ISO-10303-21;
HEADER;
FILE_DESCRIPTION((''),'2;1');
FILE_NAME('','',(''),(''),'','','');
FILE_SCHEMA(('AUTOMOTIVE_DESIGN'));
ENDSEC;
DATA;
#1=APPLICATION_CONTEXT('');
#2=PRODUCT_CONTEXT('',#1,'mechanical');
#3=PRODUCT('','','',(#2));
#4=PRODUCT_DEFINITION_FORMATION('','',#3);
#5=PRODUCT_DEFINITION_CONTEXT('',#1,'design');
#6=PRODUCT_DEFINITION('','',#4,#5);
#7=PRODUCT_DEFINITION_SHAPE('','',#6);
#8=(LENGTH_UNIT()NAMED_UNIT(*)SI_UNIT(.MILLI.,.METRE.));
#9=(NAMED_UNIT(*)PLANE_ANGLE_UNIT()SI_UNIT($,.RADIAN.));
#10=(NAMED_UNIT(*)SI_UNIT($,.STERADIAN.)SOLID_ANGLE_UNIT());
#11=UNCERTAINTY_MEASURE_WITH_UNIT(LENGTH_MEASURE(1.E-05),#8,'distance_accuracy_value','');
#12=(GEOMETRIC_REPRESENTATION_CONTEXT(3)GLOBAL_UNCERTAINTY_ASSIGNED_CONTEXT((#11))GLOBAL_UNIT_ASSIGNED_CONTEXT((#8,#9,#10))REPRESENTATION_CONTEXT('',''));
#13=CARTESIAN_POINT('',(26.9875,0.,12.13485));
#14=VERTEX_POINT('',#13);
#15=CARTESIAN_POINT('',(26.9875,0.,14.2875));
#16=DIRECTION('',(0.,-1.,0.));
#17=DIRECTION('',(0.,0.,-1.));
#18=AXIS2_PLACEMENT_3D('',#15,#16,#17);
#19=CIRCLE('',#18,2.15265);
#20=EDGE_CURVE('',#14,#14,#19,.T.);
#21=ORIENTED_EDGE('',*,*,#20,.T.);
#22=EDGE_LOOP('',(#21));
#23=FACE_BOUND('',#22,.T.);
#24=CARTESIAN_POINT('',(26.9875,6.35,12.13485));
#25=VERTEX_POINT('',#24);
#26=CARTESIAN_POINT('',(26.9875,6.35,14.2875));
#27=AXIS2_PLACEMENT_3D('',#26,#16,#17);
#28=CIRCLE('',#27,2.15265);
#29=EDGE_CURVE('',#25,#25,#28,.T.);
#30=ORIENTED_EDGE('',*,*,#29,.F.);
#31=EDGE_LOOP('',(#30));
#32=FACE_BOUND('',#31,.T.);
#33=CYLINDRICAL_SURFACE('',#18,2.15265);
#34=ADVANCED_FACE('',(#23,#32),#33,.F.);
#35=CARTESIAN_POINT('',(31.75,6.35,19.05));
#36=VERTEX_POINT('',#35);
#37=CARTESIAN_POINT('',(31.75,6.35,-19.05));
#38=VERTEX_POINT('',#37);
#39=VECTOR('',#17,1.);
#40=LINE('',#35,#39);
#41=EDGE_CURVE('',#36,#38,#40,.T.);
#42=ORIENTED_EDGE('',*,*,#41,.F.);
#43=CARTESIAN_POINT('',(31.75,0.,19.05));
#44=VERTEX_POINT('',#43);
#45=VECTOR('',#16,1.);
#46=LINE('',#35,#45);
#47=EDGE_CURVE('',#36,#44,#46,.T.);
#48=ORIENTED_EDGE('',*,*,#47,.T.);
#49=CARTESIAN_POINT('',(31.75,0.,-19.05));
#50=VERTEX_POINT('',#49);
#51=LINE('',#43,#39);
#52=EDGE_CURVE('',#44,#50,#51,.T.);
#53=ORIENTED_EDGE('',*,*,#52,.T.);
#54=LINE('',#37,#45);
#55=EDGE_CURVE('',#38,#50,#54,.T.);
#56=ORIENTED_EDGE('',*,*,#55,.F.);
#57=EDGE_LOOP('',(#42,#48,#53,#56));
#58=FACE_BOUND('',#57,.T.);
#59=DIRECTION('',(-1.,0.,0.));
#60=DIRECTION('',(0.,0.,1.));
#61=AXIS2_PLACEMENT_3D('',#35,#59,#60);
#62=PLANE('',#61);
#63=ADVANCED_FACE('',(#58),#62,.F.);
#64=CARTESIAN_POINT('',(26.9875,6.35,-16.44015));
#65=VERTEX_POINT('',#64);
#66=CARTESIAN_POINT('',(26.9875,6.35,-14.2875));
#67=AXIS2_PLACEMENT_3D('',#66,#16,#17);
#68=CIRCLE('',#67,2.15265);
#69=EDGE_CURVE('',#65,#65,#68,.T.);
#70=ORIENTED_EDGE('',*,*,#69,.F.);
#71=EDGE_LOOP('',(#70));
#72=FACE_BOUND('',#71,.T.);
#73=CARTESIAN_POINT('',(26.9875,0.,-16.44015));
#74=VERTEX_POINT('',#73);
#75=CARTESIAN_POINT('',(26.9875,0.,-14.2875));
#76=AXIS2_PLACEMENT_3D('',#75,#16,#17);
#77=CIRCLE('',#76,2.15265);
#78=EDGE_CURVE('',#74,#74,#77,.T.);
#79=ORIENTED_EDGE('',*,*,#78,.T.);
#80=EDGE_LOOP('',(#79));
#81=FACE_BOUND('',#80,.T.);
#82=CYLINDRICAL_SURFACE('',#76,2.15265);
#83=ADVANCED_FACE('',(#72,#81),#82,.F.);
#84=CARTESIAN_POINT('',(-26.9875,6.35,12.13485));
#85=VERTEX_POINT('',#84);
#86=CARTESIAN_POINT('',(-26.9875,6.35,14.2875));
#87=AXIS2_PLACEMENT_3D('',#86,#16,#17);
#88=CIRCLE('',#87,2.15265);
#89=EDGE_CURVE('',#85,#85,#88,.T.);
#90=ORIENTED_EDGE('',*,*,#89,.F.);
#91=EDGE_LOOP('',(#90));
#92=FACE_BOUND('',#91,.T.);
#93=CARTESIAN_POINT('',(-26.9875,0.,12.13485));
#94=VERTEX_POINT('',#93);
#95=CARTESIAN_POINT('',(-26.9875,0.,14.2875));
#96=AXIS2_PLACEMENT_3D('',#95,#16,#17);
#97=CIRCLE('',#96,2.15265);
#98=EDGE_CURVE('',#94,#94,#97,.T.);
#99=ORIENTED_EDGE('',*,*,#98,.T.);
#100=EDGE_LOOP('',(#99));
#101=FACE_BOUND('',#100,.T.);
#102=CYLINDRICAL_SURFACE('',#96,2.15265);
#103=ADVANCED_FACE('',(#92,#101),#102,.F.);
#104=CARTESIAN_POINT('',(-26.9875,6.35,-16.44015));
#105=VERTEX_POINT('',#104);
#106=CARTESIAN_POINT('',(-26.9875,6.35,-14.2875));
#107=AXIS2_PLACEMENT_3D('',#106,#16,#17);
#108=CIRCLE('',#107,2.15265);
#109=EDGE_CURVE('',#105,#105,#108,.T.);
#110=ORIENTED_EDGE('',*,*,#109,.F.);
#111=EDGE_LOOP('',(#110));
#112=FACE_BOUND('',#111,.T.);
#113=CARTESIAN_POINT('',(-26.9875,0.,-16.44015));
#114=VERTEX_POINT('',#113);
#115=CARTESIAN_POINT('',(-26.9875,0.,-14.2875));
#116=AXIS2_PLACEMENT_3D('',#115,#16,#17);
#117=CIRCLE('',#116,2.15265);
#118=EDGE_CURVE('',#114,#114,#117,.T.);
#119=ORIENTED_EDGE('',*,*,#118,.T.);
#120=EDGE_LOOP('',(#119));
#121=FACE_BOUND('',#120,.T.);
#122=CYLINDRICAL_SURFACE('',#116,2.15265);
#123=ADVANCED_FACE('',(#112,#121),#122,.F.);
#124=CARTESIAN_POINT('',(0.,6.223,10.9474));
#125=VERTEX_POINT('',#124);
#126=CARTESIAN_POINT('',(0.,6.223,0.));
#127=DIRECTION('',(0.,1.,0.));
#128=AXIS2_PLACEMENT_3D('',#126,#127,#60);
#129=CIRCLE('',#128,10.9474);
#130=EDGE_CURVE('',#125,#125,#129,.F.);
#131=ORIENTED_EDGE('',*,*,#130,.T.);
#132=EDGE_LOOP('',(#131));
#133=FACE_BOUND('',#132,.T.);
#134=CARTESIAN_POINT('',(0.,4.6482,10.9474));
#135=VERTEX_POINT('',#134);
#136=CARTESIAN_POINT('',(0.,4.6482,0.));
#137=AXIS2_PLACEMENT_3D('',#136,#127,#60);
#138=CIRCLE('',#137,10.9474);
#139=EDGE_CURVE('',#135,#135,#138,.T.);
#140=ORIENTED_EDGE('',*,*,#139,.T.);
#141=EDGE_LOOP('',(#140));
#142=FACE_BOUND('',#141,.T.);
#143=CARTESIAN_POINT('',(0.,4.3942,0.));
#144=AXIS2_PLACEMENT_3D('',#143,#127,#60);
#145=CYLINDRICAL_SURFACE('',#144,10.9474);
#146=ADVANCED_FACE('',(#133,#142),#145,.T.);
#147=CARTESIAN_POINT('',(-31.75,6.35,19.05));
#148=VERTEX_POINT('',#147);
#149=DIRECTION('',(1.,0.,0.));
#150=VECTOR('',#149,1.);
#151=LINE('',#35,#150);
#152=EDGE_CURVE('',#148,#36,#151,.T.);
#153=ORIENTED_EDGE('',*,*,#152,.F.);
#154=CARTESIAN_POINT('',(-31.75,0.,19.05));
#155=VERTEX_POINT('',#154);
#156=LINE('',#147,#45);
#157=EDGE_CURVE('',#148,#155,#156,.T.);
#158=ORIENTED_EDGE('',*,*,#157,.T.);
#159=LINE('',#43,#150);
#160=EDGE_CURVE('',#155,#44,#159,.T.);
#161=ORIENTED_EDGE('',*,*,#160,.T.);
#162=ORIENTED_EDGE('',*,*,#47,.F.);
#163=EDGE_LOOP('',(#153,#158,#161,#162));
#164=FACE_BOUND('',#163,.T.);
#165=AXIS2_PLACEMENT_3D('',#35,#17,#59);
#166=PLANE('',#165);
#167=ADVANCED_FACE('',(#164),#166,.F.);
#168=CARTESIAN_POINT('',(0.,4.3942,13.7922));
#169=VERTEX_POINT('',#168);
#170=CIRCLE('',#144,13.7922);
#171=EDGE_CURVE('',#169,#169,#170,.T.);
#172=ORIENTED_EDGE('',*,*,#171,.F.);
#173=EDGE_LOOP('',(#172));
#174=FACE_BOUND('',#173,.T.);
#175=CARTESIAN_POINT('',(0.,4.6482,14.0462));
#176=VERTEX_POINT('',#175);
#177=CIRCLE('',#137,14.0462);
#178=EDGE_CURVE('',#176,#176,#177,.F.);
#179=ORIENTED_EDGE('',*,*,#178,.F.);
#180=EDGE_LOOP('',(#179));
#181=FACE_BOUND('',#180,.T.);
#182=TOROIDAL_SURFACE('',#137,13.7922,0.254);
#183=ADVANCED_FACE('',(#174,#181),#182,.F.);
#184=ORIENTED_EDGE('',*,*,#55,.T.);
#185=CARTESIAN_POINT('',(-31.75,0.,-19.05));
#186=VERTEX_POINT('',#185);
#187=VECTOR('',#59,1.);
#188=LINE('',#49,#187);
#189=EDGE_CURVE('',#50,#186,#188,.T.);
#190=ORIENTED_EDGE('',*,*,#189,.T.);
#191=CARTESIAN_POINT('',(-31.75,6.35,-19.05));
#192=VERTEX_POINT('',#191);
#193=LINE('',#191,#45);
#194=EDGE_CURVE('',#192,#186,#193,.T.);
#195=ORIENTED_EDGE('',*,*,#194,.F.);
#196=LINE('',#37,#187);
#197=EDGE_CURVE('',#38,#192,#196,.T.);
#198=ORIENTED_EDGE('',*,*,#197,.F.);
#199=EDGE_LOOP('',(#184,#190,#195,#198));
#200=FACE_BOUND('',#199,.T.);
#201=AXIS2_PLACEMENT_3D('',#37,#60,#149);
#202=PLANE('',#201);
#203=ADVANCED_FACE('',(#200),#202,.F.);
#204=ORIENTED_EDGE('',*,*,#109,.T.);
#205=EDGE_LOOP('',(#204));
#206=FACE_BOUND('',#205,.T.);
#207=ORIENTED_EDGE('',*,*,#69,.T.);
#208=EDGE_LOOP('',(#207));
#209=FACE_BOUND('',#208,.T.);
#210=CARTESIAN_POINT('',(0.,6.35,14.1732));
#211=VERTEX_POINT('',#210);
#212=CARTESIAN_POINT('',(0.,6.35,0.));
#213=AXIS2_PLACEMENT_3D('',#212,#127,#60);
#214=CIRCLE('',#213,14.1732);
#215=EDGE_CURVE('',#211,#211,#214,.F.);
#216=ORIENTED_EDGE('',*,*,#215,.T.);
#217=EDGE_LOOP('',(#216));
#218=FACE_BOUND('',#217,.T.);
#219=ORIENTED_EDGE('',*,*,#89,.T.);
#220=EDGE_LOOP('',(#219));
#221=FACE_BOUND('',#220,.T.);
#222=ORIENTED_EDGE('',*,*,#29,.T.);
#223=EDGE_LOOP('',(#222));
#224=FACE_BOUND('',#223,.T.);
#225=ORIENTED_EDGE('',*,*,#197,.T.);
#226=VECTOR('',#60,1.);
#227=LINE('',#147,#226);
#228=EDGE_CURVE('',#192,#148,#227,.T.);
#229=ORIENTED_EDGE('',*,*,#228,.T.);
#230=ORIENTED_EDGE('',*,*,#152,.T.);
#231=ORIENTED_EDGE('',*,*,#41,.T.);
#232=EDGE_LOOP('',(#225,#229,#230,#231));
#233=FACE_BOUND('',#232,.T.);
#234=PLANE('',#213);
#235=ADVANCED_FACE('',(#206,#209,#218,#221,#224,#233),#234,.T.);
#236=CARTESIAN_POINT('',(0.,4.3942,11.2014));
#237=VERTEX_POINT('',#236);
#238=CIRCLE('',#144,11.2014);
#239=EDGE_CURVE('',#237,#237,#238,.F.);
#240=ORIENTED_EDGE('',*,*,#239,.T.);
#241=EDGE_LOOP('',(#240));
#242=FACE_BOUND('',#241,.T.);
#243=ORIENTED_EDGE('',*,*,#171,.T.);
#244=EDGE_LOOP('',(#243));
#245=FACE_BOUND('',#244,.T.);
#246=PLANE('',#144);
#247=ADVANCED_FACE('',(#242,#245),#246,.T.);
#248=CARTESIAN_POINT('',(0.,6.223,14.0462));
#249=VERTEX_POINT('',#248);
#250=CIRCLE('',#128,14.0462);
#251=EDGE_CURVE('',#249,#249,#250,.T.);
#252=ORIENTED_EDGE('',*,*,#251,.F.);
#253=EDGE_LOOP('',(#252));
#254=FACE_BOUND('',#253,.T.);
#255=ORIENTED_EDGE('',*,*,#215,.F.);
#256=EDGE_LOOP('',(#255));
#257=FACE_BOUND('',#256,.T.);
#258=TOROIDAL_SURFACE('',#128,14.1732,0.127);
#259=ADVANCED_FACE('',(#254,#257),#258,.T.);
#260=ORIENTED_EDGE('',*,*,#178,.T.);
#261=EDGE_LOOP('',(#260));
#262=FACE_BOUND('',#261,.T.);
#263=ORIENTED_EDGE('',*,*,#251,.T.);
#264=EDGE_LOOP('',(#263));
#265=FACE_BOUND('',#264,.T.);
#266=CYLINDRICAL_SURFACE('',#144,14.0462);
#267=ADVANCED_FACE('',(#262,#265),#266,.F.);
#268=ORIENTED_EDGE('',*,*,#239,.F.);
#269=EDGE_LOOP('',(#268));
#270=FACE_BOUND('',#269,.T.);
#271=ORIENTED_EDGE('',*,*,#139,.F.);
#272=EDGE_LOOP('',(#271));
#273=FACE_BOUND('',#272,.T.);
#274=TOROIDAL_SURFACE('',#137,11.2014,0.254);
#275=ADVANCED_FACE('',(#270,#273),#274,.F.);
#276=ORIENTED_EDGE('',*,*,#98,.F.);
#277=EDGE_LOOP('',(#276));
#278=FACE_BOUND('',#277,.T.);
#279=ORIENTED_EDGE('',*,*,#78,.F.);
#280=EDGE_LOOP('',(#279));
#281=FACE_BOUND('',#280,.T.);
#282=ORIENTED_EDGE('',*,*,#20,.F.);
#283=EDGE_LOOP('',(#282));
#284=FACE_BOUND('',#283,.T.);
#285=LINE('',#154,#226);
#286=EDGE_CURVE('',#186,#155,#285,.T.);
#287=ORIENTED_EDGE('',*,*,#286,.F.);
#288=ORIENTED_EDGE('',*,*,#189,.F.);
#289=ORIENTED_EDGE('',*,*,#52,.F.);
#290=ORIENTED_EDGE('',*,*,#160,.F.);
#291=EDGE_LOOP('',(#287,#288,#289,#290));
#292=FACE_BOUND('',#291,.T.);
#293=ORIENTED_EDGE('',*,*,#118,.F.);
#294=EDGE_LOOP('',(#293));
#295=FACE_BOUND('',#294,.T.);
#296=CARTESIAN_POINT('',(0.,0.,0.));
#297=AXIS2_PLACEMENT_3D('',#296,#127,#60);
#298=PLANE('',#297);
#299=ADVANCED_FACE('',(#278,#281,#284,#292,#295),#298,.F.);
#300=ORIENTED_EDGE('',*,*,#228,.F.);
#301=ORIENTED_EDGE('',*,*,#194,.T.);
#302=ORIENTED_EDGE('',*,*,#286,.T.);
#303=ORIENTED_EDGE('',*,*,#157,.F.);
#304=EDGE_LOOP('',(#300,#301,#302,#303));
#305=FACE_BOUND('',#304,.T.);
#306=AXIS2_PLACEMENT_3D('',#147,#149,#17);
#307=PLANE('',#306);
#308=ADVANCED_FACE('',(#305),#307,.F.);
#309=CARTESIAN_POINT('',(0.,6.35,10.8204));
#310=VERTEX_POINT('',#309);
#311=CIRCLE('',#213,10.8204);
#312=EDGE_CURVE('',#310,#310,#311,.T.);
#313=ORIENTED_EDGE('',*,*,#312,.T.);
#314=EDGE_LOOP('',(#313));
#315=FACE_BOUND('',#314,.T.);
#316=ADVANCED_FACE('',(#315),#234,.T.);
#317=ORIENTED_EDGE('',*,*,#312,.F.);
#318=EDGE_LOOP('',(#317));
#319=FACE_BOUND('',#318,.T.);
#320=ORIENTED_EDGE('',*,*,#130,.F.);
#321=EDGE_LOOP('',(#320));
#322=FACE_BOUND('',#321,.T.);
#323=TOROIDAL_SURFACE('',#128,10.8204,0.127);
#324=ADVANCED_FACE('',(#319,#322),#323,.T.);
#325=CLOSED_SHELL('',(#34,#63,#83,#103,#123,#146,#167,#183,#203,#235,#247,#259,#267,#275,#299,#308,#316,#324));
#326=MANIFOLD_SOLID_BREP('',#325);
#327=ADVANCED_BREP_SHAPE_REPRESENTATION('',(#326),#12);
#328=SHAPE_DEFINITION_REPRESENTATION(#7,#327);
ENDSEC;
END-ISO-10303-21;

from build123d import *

# Parameters (mm, degrees)
SKETCH1_W             = 63.5
SKETCH1_H             = 38.1
BOSS_EXTRUDE1_DEPTH   = 6.35
SKETCH2_R             = 14.0462
SKETCH2_R_2           = 10.9474
CUT_EXTRUDE1_DEPTH    = 1.9558
F_8_CLEARANCE_HOLE1_D = 4.3053
FILLET1_R             = 0.127
FILLET2_R             = 0.254


with BuildPart() as part:
    # Sketch1 → Boss-Extrude1 (new body)
    with BuildSketch(Plane(origin=(0, 0, 0), x_dir=(1, 0, 0), z_dir=(0, 1, 0))):
        Rectangle(SKETCH1_W, SKETCH1_H)
    extrude(amount=BOSS_EXTRUDE1_DEPTH)

    # Sketch2 → Cut-Extrude1 (cut)
    with BuildSketch(Plane(origin=(0, 6.35, 0), x_dir=(1, 0, 0), z_dir=(0, 1, 0))):
        with Locations(Location((0, 0, 0), (0, 0, 270))):  # turned: the seam where the file's is
            Circle(SKETCH2_R)
        with Locations(Location((0, 0, 0), (0, 0, 270))):  # turned: the seam where the file's is
            Circle(SKETCH2_R_2, mode=Mode.SUBTRACT)
    extrude(amount=-CUT_EXTRUDE1_DEPTH, mode=Mode.SUBTRACT)

    # #8 Clearance Hole1 (through all)
    with Locations(Plane(origin=(0, 0, 0), x_dir=(-1, 0, 0), z_dir=(0, -1, 0))):
        with Locations((26.9875, -14.2875), (-26.9875, -14.2875), (-26.9875, 14.2875), (26.9875, 14.2875)):
            Hole(F_8_CLEARANCE_HOLE1_D / 2)

    # Fillet1
    fillet1_edges = [part.edges().sort_by_distance(p)[0] for p in [
        (0, 6.35, -14.0462),
        (0, 6.35, -10.9474),
    ]]
    fillet(fillet1_edges, radius=FILLET1_R)

    # Fillet2
    fillet2_edges = [part.edges().sort_by_distance(p)[0] for p in [
        (0, 4.3942, -14.0462),
        (0, 4.3942, -10.9474),
    ]]
    fillet(fillet2_edges, radius=FILLET2_R)


solid = part.part
